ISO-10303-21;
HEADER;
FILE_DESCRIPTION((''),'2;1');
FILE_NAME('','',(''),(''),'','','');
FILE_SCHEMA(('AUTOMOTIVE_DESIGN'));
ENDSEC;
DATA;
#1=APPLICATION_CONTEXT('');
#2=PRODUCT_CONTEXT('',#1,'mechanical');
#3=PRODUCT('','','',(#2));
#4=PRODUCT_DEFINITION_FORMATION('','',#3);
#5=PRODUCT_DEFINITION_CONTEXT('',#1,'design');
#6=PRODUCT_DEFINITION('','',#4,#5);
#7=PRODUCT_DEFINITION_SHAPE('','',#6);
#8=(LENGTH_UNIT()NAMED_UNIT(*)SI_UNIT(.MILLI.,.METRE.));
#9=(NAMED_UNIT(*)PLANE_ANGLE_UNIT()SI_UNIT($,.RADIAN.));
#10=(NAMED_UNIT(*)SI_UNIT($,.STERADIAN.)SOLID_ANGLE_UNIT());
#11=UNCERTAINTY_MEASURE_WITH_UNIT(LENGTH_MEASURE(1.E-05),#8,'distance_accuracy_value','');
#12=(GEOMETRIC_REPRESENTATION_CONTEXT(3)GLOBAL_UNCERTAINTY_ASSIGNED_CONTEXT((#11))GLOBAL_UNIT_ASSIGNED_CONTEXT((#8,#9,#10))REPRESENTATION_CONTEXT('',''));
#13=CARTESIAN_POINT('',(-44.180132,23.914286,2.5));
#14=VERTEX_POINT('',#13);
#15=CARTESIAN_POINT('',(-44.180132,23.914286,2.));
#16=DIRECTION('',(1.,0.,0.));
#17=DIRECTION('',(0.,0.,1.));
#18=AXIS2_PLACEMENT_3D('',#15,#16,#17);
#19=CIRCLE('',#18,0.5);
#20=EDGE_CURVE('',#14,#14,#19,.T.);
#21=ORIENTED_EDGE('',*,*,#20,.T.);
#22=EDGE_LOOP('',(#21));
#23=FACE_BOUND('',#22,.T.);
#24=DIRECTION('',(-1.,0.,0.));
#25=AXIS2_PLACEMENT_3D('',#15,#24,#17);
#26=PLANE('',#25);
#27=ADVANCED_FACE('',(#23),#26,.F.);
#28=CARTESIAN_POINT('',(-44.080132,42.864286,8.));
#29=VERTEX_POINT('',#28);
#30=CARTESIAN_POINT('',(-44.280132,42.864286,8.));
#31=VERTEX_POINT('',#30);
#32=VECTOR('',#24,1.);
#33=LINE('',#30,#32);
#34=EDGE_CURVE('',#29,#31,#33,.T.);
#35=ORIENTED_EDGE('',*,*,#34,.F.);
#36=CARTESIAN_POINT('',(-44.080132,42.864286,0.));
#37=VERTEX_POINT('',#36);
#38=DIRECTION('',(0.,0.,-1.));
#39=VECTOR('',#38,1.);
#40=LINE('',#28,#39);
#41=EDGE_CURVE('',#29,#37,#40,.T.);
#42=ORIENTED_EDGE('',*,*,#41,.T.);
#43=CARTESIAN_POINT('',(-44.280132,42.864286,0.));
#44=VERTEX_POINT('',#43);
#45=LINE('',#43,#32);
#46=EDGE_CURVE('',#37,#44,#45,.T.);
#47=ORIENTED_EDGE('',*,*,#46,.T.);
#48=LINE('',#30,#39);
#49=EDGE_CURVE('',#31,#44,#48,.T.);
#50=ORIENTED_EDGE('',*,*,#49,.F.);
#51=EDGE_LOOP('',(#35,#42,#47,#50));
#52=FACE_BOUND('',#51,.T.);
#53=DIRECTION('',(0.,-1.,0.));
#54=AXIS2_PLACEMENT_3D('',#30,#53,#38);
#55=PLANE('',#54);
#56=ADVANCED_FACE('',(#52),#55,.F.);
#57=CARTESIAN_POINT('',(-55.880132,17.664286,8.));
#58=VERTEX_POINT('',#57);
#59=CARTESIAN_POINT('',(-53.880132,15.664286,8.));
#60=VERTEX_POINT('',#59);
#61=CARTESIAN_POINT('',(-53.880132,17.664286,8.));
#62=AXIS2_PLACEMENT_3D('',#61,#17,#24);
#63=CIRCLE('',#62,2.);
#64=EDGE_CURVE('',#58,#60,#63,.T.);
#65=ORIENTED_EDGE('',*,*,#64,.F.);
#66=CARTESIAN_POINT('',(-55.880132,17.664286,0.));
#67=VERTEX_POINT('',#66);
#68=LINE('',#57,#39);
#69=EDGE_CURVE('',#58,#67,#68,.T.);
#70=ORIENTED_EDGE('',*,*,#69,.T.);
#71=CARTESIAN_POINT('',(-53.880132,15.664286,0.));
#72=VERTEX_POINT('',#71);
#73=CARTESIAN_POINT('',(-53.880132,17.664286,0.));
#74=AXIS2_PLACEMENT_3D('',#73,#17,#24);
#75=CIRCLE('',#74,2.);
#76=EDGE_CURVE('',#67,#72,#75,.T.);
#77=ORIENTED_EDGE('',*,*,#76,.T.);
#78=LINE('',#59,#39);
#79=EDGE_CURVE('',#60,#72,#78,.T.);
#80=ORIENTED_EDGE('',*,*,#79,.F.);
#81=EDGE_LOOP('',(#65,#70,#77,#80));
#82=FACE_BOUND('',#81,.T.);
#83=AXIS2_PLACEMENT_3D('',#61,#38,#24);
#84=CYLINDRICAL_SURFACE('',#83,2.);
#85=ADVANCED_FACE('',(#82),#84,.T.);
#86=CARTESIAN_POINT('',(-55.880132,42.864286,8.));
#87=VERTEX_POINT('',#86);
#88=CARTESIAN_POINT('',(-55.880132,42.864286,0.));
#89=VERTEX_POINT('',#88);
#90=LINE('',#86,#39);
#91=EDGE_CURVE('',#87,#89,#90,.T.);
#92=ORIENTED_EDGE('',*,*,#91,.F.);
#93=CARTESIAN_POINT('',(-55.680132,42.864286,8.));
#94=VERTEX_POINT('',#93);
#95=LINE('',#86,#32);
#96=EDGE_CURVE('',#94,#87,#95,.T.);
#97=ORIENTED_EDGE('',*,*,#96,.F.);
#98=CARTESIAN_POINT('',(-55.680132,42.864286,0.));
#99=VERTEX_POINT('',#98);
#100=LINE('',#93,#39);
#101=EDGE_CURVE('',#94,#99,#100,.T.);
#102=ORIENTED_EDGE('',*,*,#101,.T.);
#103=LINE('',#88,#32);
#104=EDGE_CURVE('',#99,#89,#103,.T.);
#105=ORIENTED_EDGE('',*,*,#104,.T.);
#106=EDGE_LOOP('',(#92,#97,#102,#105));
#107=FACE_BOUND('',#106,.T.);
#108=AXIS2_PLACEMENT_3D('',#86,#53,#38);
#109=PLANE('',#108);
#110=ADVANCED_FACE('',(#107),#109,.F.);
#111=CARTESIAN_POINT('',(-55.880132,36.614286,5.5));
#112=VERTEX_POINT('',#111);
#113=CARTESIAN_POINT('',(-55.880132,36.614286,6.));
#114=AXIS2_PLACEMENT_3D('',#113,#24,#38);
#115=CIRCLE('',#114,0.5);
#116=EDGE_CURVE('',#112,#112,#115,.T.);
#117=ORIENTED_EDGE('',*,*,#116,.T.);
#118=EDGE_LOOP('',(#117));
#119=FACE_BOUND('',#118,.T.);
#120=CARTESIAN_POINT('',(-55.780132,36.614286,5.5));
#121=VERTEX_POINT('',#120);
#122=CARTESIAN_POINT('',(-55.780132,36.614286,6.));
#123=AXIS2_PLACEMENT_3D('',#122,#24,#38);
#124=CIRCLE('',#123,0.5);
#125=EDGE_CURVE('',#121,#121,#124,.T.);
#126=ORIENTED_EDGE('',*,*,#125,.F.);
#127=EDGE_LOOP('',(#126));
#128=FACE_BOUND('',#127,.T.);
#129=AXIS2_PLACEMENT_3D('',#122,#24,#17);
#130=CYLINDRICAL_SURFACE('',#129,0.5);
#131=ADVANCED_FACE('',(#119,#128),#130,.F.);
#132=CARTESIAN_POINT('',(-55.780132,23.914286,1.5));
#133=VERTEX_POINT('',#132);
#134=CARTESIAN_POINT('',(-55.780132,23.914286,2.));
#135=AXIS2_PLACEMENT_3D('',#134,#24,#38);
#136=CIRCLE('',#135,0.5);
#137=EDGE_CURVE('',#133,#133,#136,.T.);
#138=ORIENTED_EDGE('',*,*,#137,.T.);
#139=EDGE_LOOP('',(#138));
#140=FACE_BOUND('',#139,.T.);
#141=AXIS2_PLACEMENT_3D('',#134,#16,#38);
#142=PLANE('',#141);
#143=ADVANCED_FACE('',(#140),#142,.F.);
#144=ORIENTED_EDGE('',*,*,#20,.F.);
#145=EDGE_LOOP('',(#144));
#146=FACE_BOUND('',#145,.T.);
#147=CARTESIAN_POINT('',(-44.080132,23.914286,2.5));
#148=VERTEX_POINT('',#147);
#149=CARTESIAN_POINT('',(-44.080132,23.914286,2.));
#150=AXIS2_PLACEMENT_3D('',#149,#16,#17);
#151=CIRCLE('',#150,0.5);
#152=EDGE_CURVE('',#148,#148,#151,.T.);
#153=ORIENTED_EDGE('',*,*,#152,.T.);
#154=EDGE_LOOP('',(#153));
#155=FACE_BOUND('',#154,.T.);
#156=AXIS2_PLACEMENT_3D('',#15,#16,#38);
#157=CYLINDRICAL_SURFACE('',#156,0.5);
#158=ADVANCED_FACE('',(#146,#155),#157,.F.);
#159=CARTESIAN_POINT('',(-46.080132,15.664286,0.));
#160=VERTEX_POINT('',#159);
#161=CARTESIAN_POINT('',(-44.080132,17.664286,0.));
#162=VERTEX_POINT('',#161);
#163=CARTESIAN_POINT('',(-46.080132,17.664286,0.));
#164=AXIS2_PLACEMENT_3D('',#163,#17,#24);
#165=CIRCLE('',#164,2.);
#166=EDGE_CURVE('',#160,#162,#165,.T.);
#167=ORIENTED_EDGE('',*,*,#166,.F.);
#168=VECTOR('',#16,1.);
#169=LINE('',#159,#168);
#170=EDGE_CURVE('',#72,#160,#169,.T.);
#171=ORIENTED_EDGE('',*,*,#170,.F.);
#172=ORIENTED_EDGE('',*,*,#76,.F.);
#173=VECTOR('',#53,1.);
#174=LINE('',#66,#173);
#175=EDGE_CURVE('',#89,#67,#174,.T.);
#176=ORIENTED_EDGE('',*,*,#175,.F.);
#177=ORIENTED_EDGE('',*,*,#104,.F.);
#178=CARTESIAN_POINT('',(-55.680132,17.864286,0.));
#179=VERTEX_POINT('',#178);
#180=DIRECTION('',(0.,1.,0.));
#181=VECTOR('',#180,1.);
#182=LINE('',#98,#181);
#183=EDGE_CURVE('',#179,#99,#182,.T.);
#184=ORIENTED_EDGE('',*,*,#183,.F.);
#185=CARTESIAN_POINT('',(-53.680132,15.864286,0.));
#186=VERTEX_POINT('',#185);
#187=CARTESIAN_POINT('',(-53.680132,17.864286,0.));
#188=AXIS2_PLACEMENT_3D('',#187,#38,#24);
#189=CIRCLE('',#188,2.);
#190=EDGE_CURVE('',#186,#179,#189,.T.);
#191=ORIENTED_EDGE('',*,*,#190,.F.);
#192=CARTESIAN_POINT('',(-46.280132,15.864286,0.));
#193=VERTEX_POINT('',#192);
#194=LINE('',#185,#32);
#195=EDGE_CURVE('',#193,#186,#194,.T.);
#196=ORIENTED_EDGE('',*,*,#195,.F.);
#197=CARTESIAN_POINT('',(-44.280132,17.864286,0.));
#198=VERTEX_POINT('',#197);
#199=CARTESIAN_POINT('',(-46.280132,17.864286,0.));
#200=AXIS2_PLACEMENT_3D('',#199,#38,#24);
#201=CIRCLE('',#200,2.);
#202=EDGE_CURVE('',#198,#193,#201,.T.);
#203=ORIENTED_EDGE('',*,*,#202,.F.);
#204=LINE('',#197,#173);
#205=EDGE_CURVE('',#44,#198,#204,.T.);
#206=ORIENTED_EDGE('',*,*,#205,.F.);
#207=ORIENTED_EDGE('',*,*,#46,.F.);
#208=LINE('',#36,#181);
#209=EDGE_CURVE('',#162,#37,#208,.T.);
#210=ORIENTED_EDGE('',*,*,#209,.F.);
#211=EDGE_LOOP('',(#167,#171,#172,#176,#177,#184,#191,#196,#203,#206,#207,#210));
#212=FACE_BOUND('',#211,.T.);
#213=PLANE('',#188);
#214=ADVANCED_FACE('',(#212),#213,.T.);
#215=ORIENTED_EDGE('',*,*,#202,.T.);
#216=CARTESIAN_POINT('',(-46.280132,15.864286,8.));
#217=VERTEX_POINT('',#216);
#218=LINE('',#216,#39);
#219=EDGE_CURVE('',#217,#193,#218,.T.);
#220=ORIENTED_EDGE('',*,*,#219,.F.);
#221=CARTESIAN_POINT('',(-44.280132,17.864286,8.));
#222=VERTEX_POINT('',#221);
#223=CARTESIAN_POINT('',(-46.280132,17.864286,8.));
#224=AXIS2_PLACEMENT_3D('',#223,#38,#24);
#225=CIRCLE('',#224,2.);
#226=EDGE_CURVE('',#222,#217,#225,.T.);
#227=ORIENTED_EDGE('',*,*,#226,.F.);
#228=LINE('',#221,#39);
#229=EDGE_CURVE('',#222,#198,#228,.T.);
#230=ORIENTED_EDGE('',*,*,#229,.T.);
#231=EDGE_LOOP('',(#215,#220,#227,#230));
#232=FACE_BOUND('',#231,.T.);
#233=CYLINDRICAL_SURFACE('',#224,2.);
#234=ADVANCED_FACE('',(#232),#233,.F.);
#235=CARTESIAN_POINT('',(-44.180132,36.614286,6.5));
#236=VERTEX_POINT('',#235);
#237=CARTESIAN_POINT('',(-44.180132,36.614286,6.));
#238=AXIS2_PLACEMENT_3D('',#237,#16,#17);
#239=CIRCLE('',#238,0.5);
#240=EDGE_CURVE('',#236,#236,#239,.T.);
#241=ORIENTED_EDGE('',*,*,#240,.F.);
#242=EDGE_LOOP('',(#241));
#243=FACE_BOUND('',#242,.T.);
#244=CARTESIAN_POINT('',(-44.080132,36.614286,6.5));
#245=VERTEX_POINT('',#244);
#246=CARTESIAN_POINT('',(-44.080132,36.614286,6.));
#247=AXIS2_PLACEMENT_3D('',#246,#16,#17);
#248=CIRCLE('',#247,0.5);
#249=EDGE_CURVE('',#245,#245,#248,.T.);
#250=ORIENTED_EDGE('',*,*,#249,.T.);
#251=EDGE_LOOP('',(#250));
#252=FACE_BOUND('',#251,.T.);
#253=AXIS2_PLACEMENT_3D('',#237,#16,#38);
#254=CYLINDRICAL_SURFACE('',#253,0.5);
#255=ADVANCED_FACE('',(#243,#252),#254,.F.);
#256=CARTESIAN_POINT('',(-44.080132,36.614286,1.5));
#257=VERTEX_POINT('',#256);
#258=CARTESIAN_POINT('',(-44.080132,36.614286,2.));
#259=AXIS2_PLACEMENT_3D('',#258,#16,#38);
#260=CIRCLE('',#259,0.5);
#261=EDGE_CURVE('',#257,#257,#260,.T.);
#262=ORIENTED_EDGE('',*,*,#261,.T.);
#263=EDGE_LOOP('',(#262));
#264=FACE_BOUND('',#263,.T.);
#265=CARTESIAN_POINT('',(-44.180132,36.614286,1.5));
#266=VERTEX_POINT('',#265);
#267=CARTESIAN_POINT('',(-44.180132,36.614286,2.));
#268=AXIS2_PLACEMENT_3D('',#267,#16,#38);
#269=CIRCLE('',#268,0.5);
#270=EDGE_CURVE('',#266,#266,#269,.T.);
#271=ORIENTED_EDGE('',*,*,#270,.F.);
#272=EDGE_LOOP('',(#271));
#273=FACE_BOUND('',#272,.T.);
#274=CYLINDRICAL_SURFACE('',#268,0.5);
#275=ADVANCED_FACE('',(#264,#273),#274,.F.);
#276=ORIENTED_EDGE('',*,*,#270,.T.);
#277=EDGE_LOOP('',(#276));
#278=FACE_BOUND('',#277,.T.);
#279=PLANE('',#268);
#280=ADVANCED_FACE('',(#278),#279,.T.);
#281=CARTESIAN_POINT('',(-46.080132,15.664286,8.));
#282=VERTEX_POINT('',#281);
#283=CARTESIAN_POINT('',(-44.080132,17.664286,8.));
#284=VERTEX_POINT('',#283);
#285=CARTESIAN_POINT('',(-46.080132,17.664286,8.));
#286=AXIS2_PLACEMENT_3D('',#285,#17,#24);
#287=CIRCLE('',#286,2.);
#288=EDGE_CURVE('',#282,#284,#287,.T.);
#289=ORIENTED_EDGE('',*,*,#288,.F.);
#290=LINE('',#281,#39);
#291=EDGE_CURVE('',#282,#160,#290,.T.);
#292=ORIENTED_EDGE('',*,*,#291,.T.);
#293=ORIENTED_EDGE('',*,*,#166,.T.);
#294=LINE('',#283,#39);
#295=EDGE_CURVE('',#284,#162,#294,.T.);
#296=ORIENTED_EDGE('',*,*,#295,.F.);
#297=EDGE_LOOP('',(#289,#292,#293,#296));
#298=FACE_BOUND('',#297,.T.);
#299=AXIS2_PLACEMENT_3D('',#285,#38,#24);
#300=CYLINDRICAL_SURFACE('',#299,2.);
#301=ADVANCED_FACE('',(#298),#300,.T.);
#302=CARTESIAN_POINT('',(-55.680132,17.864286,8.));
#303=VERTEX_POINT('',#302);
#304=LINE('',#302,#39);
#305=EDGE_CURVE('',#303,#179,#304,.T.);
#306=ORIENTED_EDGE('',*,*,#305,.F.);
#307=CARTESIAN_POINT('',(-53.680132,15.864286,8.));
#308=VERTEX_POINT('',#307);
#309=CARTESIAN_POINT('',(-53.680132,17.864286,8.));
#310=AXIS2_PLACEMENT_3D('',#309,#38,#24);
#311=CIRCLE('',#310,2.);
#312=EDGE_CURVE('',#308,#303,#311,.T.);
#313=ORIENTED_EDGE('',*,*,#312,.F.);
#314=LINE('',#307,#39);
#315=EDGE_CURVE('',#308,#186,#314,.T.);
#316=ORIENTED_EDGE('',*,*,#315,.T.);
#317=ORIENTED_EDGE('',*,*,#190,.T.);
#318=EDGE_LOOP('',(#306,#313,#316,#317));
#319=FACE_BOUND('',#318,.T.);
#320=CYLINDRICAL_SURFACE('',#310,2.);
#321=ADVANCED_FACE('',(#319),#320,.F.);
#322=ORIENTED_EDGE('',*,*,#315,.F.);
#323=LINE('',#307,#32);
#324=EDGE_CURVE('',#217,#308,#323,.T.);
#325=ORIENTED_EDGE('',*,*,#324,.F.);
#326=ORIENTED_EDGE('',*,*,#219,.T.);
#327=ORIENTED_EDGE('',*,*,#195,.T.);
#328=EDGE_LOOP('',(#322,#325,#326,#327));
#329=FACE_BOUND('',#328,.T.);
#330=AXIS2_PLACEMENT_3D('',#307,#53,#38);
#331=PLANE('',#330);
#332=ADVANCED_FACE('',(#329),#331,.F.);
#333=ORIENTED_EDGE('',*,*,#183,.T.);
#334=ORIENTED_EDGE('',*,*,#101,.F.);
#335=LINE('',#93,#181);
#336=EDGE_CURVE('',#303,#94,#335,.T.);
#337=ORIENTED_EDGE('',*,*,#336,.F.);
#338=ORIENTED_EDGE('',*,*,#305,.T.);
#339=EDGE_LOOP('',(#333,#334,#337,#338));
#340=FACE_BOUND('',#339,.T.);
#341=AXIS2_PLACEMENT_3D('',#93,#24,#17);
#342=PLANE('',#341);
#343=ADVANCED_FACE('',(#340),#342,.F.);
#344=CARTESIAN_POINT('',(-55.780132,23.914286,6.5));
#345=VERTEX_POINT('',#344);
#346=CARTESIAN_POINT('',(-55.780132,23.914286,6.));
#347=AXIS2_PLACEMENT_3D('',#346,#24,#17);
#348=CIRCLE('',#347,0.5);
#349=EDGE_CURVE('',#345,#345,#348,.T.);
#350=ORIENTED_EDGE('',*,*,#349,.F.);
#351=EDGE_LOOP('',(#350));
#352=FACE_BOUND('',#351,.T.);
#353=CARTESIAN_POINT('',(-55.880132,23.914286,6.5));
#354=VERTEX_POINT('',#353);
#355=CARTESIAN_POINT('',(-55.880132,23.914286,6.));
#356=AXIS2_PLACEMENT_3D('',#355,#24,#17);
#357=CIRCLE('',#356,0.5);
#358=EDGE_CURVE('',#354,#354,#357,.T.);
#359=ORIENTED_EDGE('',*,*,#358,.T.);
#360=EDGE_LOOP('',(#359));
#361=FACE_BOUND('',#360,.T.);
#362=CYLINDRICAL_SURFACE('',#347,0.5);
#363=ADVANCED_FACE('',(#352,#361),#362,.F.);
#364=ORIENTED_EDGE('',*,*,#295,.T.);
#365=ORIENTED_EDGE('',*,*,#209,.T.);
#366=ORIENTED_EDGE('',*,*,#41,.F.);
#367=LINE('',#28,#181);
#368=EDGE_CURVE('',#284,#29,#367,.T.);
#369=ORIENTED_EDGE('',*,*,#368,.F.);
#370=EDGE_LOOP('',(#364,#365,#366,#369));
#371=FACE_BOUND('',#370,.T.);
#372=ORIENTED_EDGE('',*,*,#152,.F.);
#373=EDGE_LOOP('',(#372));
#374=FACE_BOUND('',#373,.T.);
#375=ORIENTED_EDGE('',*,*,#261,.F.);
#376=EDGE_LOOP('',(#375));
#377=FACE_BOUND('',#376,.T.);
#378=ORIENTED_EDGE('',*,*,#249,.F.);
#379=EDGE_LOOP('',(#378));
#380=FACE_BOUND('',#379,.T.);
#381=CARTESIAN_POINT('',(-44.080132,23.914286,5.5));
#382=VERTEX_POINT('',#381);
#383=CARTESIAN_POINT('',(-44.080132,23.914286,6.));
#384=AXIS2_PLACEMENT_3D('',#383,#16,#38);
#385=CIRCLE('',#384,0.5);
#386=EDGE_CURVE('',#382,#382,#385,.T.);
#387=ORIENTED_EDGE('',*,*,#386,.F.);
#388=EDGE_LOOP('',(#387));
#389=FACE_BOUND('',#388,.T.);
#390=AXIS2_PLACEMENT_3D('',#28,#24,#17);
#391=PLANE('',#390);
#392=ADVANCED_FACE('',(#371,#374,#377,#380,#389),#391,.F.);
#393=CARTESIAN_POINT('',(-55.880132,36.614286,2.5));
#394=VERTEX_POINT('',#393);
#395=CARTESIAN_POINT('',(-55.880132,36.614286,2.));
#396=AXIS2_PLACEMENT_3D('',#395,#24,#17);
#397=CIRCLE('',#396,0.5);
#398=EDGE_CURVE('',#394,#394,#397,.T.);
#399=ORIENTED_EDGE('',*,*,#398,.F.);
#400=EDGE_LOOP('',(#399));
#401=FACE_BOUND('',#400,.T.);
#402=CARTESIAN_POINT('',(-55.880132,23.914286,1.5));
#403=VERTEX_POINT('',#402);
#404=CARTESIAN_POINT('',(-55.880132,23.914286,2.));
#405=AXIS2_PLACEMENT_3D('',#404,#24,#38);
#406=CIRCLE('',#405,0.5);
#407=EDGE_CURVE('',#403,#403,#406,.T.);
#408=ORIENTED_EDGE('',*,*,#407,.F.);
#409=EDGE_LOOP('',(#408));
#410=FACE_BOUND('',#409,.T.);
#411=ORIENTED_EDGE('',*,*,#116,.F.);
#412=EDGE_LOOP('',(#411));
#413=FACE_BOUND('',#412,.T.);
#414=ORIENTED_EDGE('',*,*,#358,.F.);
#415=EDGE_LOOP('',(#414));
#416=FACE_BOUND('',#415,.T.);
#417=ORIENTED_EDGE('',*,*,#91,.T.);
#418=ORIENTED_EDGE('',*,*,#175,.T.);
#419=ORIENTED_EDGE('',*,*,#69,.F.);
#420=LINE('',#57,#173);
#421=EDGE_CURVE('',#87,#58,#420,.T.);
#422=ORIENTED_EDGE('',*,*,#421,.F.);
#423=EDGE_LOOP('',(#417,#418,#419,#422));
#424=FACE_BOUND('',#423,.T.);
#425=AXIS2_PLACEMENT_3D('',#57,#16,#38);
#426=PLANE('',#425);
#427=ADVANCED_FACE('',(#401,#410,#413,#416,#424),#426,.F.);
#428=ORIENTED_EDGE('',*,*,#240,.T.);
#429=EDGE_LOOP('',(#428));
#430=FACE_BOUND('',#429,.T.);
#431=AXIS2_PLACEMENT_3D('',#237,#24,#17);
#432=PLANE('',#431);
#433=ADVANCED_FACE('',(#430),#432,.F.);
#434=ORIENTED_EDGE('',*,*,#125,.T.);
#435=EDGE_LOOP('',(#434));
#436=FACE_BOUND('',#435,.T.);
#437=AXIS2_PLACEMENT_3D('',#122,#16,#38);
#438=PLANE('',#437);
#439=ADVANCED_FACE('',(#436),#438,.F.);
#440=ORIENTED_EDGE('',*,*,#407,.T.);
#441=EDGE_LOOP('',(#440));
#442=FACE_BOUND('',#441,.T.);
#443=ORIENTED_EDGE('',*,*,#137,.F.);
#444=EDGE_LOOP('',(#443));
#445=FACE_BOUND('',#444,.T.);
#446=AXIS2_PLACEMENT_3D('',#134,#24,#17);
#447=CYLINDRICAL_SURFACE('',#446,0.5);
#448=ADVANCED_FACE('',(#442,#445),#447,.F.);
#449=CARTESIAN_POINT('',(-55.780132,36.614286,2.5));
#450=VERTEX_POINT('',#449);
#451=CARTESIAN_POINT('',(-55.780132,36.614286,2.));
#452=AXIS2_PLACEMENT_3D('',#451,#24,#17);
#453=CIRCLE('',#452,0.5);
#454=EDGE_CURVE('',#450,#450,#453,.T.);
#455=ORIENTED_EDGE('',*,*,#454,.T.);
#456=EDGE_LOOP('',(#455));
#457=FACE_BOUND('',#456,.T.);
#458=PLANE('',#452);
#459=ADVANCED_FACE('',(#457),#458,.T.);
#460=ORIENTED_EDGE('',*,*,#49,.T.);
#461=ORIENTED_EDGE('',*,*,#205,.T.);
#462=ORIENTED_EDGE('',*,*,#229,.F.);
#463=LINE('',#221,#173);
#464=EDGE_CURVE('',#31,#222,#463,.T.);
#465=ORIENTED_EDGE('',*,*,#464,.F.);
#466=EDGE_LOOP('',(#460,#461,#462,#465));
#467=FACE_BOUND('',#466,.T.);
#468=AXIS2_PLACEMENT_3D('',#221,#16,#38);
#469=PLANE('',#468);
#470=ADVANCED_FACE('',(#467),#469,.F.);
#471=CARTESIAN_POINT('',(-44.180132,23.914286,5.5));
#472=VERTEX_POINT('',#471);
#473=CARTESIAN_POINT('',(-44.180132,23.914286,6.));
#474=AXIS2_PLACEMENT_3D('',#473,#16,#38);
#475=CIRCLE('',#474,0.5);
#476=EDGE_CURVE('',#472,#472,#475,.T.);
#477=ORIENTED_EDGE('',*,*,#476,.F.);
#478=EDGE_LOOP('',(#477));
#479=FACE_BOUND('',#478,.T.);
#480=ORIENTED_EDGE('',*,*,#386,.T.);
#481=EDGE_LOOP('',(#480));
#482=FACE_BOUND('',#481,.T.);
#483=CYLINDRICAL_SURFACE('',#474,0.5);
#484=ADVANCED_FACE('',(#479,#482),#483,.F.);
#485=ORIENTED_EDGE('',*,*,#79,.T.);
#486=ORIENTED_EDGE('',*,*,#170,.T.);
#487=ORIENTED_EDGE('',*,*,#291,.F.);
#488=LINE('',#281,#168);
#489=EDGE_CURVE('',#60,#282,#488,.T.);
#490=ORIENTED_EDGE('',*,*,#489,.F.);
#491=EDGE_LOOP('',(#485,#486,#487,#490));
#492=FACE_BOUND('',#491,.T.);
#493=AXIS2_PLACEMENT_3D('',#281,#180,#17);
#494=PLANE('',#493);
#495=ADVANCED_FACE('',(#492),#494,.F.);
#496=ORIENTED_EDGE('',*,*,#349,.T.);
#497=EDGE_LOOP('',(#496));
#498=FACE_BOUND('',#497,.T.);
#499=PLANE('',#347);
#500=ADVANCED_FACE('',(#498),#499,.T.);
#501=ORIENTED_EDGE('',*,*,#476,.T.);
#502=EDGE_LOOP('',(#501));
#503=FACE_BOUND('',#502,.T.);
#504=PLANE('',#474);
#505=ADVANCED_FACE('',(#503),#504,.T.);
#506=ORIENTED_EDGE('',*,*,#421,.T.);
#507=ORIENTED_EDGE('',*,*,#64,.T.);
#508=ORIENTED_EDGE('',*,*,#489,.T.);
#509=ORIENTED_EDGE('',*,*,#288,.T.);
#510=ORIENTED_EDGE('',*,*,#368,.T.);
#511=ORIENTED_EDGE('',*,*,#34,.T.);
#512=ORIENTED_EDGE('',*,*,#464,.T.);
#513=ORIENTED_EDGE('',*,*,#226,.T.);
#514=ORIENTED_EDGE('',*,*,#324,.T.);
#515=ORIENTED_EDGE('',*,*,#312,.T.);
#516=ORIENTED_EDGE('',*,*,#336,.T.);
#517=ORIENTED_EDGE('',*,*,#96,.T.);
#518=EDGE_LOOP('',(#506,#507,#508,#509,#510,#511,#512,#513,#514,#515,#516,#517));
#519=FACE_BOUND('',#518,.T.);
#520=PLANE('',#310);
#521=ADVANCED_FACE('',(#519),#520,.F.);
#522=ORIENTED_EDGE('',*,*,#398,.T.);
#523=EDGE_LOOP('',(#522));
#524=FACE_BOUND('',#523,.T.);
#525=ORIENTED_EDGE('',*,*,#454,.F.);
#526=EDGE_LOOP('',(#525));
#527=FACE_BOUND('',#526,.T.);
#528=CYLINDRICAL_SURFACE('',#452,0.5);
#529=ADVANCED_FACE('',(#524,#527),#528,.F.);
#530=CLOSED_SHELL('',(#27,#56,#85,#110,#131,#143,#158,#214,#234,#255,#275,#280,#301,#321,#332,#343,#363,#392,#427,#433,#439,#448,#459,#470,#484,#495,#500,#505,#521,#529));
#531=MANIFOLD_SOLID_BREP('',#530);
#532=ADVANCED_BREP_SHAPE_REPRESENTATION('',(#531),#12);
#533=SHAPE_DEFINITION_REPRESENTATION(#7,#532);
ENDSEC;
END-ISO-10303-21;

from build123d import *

# Parameters (mm, degrees)
DODANIE_WYCI_GNI_CIE1_DEPTH = 8
SZKIC2_R                    = 0.5
WYTNIJ_WYCI_GNI_CIE1_DEPTH  = 0.1
SZKIC3_R                    = 0.5
WYTNIJ_WYCI_GNI_CIE2_DEPTH  = 0.1


with BuildPart() as part:
    # Szkic1 → Dodanie-wyciągnięcie1 (new body)
    with BuildSketch(Plane.XY):
        with BuildLine():
            Line((-55.680131723, 42.864285714), (-55.680131723, 17.864285714))
            ThreePointArc((-55.680131723, 17.864285714), (-55.094345286, 16.450072152), (-53.680131723, 15.864285714))
            Line((-53.680131723, 15.864285714), (-46.280131723, 15.864285714))
            ThreePointArc((-46.280131723, 15.864285714), (-44.865918161, 16.450072152), (-44.280131723, 17.864285714))
            Line((-44.280131723, 17.864285714), (-44.280131723, 42.864285714))
            Line((-44.280131723, 42.864285714), (-44.080131723, 42.864285714))
            Line((-44.080131723, 42.864285714), (-44.080131723, 17.664285714))
            ThreePointArc((-44.080131723, 17.664285714), (-44.665918161, 16.250072152), (-46.080131723, 15.664285714))
            Line((-46.080131723, 15.664285714), (-53.880131723, 15.664285714))
            ThreePointArc((-53.880131723, 15.664285714), (-55.294345286, 16.250072152), (-55.880131723, 17.664285714))
            Line((-55.880131723, 17.664285714), (-55.880131723, 42.864285714))
            Line((-55.880131723, 42.864285714), (-55.680131723, 42.864285714))
        make_face()
    extrude(amount=DODANIE_WYCI_GNI_CIE1_DEPTH)

    # Szkic2 → Wytnij-wyciągnięcie1 (cut)
    with BuildSketch(Plane(origin=(-44.080131723, 0, 0), x_dir=(0, 0, -1), z_dir=(1, 0, 0))):
        with Locations((-2, 36.614285714)):
            Circle(SZKIC2_R)
        with Locations((-6, 36.614285714)):
            Circle(SZKIC2_R)
        with Locations((-6, 23.914285714)):
            Circle(SZKIC2_R)
        with Locations((-2, 23.914285714)):
            Circle(SZKIC2_R)
    extrude(amount=-WYTNIJ_WYCI_GNI_CIE1_DEPTH, mode=Mode.SUBTRACT)

    # Szkic3 → Wytnij-wyciągnięcie2 (cut)
    with BuildSketch(Plane.ZY.offset(55.880131723)):
        with Locations((2, 36.614285714)):
            Circle(SZKIC3_R)
        with Locations((6, 36.614285714)):
            Circle(SZKIC3_R)
        with Locations((6, 23.914285714)):
            Circle(SZKIC3_R)
        with Locations((2, 23.914285714)):
            Circle(SZKIC3_R)
    extrude(amount=-WYTNIJ_WYCI_GNI_CIE2_DEPTH, mode=Mode.SUBTRACT)


solid = part.part
